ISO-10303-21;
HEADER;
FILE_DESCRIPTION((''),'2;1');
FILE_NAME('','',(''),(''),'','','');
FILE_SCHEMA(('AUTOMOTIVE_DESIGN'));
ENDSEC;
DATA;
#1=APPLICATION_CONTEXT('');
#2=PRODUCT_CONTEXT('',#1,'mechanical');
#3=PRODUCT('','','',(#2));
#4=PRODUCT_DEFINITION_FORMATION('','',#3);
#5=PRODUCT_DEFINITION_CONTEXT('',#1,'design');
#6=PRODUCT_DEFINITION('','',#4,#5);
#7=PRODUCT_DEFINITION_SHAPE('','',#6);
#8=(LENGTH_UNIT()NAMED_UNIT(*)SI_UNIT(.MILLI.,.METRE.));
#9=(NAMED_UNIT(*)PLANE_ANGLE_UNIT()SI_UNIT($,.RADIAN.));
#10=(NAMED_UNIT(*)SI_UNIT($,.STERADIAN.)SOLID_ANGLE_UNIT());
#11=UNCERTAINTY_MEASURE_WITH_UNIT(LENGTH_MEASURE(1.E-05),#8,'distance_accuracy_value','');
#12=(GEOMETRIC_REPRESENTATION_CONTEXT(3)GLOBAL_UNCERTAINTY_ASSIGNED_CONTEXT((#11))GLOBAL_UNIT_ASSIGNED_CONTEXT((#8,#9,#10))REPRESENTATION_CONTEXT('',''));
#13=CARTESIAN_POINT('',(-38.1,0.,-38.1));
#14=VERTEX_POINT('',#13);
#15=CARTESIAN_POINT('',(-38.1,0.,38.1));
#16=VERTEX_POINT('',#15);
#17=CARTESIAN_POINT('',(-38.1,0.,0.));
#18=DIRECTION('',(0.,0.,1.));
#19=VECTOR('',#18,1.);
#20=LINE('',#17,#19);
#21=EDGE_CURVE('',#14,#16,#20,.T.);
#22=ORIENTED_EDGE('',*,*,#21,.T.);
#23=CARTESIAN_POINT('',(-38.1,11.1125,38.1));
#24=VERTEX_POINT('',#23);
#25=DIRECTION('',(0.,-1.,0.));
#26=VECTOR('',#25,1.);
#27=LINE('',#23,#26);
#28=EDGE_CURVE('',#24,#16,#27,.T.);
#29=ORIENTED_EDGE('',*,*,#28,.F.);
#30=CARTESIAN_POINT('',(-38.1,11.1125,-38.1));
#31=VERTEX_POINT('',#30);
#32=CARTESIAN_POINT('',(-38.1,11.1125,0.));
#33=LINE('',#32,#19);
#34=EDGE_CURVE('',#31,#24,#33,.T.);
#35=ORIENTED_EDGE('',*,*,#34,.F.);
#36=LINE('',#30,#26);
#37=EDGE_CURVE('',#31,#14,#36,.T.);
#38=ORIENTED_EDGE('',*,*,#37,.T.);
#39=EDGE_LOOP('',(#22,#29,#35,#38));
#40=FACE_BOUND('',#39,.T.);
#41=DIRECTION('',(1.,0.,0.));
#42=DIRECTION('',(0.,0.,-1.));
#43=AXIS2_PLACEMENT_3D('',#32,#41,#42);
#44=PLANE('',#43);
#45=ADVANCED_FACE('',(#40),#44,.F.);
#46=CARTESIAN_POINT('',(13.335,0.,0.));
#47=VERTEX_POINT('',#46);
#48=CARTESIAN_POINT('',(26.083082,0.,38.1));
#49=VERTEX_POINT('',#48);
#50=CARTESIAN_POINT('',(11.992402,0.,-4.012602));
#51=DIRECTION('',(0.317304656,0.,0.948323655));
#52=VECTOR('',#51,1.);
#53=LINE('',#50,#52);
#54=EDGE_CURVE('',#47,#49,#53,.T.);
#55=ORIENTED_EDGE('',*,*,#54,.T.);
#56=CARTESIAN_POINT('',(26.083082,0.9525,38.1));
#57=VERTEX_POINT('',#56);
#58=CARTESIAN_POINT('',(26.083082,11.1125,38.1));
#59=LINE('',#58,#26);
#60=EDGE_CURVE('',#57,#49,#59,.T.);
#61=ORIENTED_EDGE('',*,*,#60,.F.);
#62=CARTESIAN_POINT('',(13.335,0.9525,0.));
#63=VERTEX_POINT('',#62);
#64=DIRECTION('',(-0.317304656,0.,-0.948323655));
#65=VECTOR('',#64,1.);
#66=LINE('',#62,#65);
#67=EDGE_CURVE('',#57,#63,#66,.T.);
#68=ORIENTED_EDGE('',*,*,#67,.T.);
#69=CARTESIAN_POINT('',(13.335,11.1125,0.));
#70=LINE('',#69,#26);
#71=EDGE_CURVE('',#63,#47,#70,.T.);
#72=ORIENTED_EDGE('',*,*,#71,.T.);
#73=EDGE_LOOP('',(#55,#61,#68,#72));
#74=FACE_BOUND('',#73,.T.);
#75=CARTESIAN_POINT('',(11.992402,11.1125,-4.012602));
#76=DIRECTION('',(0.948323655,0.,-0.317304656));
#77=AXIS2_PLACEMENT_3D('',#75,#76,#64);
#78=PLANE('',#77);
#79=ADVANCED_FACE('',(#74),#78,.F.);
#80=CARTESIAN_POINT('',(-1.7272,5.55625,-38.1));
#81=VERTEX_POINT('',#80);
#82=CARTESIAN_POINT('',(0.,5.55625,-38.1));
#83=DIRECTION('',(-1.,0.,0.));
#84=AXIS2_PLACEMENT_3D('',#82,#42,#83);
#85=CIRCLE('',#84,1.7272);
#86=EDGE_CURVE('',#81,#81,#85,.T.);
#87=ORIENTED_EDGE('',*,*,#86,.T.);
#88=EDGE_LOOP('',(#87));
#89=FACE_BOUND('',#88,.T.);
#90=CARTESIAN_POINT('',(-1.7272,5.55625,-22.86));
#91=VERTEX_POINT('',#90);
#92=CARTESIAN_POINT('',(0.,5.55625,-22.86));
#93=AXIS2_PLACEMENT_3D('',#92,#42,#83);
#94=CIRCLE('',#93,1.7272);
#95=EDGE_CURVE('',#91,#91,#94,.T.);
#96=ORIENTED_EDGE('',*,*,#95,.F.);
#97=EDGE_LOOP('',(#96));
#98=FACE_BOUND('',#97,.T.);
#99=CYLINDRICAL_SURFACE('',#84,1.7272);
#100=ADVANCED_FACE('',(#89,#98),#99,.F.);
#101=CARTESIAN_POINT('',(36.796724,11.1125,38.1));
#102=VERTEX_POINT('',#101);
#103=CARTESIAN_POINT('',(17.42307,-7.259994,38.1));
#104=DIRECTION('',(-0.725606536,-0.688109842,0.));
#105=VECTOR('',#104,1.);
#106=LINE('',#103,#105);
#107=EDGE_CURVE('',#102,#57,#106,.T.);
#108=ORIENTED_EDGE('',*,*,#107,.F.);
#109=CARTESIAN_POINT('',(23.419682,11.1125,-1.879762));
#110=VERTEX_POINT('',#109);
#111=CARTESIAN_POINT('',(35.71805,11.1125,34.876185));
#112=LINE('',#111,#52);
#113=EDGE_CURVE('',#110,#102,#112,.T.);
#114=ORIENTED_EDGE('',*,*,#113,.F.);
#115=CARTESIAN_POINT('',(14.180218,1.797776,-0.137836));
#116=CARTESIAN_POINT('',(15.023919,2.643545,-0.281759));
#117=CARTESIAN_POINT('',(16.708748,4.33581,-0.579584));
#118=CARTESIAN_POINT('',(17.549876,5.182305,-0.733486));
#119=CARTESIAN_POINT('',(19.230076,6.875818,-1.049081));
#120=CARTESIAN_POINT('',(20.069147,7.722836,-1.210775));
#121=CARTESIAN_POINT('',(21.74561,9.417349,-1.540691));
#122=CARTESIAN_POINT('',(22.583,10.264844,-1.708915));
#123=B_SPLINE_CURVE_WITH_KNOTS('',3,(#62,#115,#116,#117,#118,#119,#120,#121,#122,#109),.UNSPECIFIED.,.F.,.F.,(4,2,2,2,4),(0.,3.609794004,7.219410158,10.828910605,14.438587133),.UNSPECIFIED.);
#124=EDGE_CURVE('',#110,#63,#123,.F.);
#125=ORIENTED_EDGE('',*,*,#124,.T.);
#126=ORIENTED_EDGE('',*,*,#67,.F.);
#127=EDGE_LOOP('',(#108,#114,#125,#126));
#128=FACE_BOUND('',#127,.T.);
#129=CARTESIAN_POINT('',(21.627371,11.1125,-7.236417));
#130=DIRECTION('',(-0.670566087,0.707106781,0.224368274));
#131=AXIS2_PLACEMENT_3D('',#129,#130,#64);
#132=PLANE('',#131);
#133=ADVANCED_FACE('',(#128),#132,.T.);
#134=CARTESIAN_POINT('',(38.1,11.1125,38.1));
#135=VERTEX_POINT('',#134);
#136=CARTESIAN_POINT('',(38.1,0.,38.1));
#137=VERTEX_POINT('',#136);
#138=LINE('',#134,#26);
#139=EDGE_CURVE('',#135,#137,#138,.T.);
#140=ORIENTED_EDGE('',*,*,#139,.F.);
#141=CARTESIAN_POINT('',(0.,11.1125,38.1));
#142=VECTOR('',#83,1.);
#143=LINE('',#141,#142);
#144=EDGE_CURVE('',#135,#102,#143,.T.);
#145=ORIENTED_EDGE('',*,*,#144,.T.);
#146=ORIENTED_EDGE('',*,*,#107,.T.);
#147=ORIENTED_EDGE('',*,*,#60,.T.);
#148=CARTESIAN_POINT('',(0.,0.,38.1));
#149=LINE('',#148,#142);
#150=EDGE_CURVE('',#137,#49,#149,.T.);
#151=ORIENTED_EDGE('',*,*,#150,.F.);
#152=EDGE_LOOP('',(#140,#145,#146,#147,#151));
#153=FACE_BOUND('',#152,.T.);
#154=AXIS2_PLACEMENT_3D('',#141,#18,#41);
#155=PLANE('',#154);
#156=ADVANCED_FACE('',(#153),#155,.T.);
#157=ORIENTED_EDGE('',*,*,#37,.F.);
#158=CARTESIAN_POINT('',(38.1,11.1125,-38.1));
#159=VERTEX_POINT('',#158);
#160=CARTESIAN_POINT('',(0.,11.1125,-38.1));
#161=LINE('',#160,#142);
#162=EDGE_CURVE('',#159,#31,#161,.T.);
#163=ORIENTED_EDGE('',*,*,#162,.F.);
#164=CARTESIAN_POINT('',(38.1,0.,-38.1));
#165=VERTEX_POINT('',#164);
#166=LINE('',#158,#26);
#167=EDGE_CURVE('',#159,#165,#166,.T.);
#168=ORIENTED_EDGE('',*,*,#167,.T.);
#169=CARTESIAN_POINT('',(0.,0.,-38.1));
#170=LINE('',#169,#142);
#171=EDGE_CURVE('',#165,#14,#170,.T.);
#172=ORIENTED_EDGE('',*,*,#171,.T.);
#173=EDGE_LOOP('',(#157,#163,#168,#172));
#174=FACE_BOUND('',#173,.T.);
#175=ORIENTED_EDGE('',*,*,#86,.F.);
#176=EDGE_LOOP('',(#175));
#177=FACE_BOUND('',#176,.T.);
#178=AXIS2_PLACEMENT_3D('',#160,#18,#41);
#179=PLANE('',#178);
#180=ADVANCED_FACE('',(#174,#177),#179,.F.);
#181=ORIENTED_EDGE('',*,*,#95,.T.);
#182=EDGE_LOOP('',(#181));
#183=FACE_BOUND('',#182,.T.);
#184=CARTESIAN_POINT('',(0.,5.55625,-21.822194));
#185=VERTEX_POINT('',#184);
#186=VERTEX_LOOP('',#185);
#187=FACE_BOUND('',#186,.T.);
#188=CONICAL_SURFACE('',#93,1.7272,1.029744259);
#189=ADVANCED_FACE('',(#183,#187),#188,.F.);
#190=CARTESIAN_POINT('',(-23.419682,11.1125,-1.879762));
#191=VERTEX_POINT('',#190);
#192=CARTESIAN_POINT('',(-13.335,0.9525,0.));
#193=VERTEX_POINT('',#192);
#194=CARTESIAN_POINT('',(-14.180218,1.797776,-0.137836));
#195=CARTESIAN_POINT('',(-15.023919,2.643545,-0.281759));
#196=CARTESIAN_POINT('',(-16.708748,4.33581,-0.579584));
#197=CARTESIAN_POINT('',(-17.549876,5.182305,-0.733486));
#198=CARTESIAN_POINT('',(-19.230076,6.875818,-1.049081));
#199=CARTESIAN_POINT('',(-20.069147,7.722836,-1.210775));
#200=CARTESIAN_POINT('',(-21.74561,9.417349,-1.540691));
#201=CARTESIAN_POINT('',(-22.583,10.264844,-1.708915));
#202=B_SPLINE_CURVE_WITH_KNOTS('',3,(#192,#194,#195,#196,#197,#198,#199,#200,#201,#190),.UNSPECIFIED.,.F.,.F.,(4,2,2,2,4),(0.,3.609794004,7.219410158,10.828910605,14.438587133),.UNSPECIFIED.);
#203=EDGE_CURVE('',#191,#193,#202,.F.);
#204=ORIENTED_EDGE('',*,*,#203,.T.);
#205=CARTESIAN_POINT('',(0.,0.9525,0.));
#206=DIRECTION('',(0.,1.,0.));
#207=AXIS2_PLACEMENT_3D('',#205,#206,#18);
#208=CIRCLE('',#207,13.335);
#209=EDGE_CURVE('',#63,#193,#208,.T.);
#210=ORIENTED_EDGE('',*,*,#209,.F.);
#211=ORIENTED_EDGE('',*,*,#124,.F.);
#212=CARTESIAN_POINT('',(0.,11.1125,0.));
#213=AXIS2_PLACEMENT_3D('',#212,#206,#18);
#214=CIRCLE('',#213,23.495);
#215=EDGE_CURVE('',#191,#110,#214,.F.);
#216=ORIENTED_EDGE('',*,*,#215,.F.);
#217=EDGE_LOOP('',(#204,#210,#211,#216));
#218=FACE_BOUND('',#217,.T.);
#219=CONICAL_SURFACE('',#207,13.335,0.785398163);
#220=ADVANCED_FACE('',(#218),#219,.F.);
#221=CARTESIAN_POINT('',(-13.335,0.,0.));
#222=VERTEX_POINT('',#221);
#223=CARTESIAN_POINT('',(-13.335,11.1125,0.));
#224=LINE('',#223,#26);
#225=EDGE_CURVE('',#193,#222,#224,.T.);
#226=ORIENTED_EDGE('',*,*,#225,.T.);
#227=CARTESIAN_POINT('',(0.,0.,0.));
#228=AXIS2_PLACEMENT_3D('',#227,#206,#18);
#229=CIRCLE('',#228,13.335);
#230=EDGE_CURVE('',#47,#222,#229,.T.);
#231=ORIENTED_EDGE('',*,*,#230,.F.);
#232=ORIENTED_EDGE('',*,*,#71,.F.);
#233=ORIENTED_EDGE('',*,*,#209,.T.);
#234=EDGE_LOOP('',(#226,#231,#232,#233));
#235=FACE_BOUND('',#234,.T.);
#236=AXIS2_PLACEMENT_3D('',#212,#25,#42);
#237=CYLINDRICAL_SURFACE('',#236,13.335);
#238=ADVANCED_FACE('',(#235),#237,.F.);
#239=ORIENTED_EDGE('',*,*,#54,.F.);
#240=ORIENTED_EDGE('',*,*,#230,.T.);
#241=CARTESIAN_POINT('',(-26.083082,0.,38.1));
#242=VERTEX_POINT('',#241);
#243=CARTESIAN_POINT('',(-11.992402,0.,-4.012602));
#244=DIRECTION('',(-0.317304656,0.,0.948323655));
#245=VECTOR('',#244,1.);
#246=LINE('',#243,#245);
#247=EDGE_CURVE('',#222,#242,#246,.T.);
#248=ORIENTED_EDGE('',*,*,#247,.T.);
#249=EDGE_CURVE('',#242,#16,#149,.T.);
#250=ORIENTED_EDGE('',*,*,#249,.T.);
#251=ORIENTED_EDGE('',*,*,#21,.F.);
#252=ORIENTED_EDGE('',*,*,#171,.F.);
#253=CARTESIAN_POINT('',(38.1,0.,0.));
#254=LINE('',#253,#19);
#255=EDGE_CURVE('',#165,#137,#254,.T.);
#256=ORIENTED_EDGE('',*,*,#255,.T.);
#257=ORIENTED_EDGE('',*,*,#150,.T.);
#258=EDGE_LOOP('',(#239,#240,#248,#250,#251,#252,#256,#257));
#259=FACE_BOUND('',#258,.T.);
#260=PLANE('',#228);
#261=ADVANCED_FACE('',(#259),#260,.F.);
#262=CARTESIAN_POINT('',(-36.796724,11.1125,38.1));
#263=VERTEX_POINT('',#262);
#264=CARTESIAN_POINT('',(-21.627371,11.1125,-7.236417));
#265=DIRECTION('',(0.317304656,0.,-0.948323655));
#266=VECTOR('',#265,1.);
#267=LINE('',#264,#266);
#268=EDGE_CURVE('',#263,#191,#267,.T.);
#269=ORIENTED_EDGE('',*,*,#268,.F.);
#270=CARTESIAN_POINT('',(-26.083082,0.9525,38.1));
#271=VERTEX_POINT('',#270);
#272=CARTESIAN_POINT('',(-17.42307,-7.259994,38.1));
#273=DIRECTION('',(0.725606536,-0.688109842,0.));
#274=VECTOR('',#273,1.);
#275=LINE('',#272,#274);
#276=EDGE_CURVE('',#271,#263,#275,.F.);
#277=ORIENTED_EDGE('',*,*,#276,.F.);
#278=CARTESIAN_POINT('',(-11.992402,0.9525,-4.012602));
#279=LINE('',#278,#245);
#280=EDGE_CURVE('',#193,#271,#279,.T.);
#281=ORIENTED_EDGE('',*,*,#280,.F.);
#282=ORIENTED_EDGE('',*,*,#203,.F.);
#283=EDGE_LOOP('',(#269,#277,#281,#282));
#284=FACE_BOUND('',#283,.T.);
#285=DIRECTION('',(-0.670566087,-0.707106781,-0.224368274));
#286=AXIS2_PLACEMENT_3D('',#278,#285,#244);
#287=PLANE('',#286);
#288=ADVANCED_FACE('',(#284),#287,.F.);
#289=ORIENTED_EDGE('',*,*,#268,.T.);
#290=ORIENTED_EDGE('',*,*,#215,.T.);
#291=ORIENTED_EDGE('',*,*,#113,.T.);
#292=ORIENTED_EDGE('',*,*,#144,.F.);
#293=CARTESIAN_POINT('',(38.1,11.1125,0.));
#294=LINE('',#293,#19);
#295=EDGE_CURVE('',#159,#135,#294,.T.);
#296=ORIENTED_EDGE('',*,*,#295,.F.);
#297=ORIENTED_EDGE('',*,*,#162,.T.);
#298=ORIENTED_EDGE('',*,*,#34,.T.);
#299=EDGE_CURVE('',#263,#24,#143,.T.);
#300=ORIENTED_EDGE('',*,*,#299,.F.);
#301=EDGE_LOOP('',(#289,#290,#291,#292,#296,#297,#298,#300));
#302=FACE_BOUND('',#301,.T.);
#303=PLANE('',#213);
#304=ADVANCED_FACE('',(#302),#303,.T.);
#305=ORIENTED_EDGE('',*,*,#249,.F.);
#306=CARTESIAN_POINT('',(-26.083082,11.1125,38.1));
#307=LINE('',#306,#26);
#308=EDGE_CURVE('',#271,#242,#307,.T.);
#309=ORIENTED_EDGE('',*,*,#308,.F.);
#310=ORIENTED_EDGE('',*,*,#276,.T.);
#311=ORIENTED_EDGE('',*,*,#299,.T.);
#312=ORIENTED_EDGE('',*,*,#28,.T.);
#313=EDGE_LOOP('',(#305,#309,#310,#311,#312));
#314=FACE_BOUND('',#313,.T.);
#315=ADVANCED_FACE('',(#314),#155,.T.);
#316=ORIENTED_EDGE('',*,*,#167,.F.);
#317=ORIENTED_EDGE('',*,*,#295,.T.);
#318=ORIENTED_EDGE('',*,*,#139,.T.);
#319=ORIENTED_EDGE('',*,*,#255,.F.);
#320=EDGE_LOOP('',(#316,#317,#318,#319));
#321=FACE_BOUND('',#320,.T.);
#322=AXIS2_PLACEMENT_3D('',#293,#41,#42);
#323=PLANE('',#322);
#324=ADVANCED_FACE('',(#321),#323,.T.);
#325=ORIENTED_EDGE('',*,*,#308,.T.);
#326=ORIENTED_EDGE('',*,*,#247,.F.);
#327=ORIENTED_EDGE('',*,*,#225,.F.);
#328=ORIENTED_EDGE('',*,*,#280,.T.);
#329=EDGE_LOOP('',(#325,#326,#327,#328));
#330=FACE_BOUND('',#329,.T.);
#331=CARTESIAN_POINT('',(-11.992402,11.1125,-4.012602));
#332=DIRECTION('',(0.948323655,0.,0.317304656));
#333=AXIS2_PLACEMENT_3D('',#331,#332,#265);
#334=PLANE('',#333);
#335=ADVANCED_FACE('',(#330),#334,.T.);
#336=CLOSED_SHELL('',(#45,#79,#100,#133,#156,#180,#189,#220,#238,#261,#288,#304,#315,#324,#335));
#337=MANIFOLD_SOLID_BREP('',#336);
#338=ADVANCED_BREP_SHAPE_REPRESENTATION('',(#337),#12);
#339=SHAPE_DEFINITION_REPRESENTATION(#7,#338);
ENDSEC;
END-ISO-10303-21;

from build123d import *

# Parameters (mm, degrees)
BOSS_EXTRUDE1_DEPTH           = 11.1125
CHAMFER1_SIZE                 = 10.16
TAP_DRILL_FOR_8_32_TAP1_D     = 3.4544
TAP_DRILL_FOR_8_32_TAP1_DEPTH = 15.24
TAP_DRILL_FOR_8_32_TAP1_TIP   = 1.037806461


with BuildPart() as part:
    # Sketch1 → Boss-Extrude1 (new body)
    with BuildSketch(Plane(origin=(0, 0, 0), x_dir=(1, 0, 0), z_dir=(0, 1, 0))):
        with BuildLine():
            Line((-26.083081673, -38.1), (-13.335, 0))
            ThreePointArc((-13.335, 0), (0, 13.335), (13.335, 0))
            Line((13.335, 0), (26.083081673, -38.1))
            Line((26.083081673, -38.1), (38.1, -38.1))
            Line((38.1, -38.1), (38.1, 38.1))
            Line((38.1, 38.1), (-38.1, 38.1))
            Line((-38.1, 38.1), (-38.1, -38.1))
            Line((-38.1, -38.1), (-26.083081673, -38.1))
        make_face()
    extrude(amount=BOSS_EXTRUDE1_DEPTH)

    # Chamfer1
    chamfer1_edges = [part.edges().sort_by_distance(p)[0] for p in [
        (19.709040837, 11.1125, 19.05),
        (-19.709040837, 11.1125, 19.05),
        (0, 11.1125, -13.335),
    ]]
    chamfer(chamfer1_edges, length=CHAMFER1_SIZE)

    # Tap Drill for #8-32 Tap1
    with Locations(Plane(origin=(0, 5.55625, -38.1), x_dir=(-1, 0, 0), z_dir=(0, 0, -1))):
        with Locations((0, 0)):
            Hole(TAP_DRILL_FOR_8_32_TAP1_D / 2, depth=TAP_DRILL_FOR_8_32_TAP1_DEPTH)
            with Locations((0, 0, -(TAP_DRILL_FOR_8_32_TAP1_DEPTH + TAP_DRILL_FOR_8_32_TAP1_TIP / 2))):  # 118° drill point
                Cone(0, TAP_DRILL_FOR_8_32_TAP1_D / 2, TAP_DRILL_FOR_8_32_TAP1_TIP, mode=Mode.SUBTRACT)


solid = part.part
